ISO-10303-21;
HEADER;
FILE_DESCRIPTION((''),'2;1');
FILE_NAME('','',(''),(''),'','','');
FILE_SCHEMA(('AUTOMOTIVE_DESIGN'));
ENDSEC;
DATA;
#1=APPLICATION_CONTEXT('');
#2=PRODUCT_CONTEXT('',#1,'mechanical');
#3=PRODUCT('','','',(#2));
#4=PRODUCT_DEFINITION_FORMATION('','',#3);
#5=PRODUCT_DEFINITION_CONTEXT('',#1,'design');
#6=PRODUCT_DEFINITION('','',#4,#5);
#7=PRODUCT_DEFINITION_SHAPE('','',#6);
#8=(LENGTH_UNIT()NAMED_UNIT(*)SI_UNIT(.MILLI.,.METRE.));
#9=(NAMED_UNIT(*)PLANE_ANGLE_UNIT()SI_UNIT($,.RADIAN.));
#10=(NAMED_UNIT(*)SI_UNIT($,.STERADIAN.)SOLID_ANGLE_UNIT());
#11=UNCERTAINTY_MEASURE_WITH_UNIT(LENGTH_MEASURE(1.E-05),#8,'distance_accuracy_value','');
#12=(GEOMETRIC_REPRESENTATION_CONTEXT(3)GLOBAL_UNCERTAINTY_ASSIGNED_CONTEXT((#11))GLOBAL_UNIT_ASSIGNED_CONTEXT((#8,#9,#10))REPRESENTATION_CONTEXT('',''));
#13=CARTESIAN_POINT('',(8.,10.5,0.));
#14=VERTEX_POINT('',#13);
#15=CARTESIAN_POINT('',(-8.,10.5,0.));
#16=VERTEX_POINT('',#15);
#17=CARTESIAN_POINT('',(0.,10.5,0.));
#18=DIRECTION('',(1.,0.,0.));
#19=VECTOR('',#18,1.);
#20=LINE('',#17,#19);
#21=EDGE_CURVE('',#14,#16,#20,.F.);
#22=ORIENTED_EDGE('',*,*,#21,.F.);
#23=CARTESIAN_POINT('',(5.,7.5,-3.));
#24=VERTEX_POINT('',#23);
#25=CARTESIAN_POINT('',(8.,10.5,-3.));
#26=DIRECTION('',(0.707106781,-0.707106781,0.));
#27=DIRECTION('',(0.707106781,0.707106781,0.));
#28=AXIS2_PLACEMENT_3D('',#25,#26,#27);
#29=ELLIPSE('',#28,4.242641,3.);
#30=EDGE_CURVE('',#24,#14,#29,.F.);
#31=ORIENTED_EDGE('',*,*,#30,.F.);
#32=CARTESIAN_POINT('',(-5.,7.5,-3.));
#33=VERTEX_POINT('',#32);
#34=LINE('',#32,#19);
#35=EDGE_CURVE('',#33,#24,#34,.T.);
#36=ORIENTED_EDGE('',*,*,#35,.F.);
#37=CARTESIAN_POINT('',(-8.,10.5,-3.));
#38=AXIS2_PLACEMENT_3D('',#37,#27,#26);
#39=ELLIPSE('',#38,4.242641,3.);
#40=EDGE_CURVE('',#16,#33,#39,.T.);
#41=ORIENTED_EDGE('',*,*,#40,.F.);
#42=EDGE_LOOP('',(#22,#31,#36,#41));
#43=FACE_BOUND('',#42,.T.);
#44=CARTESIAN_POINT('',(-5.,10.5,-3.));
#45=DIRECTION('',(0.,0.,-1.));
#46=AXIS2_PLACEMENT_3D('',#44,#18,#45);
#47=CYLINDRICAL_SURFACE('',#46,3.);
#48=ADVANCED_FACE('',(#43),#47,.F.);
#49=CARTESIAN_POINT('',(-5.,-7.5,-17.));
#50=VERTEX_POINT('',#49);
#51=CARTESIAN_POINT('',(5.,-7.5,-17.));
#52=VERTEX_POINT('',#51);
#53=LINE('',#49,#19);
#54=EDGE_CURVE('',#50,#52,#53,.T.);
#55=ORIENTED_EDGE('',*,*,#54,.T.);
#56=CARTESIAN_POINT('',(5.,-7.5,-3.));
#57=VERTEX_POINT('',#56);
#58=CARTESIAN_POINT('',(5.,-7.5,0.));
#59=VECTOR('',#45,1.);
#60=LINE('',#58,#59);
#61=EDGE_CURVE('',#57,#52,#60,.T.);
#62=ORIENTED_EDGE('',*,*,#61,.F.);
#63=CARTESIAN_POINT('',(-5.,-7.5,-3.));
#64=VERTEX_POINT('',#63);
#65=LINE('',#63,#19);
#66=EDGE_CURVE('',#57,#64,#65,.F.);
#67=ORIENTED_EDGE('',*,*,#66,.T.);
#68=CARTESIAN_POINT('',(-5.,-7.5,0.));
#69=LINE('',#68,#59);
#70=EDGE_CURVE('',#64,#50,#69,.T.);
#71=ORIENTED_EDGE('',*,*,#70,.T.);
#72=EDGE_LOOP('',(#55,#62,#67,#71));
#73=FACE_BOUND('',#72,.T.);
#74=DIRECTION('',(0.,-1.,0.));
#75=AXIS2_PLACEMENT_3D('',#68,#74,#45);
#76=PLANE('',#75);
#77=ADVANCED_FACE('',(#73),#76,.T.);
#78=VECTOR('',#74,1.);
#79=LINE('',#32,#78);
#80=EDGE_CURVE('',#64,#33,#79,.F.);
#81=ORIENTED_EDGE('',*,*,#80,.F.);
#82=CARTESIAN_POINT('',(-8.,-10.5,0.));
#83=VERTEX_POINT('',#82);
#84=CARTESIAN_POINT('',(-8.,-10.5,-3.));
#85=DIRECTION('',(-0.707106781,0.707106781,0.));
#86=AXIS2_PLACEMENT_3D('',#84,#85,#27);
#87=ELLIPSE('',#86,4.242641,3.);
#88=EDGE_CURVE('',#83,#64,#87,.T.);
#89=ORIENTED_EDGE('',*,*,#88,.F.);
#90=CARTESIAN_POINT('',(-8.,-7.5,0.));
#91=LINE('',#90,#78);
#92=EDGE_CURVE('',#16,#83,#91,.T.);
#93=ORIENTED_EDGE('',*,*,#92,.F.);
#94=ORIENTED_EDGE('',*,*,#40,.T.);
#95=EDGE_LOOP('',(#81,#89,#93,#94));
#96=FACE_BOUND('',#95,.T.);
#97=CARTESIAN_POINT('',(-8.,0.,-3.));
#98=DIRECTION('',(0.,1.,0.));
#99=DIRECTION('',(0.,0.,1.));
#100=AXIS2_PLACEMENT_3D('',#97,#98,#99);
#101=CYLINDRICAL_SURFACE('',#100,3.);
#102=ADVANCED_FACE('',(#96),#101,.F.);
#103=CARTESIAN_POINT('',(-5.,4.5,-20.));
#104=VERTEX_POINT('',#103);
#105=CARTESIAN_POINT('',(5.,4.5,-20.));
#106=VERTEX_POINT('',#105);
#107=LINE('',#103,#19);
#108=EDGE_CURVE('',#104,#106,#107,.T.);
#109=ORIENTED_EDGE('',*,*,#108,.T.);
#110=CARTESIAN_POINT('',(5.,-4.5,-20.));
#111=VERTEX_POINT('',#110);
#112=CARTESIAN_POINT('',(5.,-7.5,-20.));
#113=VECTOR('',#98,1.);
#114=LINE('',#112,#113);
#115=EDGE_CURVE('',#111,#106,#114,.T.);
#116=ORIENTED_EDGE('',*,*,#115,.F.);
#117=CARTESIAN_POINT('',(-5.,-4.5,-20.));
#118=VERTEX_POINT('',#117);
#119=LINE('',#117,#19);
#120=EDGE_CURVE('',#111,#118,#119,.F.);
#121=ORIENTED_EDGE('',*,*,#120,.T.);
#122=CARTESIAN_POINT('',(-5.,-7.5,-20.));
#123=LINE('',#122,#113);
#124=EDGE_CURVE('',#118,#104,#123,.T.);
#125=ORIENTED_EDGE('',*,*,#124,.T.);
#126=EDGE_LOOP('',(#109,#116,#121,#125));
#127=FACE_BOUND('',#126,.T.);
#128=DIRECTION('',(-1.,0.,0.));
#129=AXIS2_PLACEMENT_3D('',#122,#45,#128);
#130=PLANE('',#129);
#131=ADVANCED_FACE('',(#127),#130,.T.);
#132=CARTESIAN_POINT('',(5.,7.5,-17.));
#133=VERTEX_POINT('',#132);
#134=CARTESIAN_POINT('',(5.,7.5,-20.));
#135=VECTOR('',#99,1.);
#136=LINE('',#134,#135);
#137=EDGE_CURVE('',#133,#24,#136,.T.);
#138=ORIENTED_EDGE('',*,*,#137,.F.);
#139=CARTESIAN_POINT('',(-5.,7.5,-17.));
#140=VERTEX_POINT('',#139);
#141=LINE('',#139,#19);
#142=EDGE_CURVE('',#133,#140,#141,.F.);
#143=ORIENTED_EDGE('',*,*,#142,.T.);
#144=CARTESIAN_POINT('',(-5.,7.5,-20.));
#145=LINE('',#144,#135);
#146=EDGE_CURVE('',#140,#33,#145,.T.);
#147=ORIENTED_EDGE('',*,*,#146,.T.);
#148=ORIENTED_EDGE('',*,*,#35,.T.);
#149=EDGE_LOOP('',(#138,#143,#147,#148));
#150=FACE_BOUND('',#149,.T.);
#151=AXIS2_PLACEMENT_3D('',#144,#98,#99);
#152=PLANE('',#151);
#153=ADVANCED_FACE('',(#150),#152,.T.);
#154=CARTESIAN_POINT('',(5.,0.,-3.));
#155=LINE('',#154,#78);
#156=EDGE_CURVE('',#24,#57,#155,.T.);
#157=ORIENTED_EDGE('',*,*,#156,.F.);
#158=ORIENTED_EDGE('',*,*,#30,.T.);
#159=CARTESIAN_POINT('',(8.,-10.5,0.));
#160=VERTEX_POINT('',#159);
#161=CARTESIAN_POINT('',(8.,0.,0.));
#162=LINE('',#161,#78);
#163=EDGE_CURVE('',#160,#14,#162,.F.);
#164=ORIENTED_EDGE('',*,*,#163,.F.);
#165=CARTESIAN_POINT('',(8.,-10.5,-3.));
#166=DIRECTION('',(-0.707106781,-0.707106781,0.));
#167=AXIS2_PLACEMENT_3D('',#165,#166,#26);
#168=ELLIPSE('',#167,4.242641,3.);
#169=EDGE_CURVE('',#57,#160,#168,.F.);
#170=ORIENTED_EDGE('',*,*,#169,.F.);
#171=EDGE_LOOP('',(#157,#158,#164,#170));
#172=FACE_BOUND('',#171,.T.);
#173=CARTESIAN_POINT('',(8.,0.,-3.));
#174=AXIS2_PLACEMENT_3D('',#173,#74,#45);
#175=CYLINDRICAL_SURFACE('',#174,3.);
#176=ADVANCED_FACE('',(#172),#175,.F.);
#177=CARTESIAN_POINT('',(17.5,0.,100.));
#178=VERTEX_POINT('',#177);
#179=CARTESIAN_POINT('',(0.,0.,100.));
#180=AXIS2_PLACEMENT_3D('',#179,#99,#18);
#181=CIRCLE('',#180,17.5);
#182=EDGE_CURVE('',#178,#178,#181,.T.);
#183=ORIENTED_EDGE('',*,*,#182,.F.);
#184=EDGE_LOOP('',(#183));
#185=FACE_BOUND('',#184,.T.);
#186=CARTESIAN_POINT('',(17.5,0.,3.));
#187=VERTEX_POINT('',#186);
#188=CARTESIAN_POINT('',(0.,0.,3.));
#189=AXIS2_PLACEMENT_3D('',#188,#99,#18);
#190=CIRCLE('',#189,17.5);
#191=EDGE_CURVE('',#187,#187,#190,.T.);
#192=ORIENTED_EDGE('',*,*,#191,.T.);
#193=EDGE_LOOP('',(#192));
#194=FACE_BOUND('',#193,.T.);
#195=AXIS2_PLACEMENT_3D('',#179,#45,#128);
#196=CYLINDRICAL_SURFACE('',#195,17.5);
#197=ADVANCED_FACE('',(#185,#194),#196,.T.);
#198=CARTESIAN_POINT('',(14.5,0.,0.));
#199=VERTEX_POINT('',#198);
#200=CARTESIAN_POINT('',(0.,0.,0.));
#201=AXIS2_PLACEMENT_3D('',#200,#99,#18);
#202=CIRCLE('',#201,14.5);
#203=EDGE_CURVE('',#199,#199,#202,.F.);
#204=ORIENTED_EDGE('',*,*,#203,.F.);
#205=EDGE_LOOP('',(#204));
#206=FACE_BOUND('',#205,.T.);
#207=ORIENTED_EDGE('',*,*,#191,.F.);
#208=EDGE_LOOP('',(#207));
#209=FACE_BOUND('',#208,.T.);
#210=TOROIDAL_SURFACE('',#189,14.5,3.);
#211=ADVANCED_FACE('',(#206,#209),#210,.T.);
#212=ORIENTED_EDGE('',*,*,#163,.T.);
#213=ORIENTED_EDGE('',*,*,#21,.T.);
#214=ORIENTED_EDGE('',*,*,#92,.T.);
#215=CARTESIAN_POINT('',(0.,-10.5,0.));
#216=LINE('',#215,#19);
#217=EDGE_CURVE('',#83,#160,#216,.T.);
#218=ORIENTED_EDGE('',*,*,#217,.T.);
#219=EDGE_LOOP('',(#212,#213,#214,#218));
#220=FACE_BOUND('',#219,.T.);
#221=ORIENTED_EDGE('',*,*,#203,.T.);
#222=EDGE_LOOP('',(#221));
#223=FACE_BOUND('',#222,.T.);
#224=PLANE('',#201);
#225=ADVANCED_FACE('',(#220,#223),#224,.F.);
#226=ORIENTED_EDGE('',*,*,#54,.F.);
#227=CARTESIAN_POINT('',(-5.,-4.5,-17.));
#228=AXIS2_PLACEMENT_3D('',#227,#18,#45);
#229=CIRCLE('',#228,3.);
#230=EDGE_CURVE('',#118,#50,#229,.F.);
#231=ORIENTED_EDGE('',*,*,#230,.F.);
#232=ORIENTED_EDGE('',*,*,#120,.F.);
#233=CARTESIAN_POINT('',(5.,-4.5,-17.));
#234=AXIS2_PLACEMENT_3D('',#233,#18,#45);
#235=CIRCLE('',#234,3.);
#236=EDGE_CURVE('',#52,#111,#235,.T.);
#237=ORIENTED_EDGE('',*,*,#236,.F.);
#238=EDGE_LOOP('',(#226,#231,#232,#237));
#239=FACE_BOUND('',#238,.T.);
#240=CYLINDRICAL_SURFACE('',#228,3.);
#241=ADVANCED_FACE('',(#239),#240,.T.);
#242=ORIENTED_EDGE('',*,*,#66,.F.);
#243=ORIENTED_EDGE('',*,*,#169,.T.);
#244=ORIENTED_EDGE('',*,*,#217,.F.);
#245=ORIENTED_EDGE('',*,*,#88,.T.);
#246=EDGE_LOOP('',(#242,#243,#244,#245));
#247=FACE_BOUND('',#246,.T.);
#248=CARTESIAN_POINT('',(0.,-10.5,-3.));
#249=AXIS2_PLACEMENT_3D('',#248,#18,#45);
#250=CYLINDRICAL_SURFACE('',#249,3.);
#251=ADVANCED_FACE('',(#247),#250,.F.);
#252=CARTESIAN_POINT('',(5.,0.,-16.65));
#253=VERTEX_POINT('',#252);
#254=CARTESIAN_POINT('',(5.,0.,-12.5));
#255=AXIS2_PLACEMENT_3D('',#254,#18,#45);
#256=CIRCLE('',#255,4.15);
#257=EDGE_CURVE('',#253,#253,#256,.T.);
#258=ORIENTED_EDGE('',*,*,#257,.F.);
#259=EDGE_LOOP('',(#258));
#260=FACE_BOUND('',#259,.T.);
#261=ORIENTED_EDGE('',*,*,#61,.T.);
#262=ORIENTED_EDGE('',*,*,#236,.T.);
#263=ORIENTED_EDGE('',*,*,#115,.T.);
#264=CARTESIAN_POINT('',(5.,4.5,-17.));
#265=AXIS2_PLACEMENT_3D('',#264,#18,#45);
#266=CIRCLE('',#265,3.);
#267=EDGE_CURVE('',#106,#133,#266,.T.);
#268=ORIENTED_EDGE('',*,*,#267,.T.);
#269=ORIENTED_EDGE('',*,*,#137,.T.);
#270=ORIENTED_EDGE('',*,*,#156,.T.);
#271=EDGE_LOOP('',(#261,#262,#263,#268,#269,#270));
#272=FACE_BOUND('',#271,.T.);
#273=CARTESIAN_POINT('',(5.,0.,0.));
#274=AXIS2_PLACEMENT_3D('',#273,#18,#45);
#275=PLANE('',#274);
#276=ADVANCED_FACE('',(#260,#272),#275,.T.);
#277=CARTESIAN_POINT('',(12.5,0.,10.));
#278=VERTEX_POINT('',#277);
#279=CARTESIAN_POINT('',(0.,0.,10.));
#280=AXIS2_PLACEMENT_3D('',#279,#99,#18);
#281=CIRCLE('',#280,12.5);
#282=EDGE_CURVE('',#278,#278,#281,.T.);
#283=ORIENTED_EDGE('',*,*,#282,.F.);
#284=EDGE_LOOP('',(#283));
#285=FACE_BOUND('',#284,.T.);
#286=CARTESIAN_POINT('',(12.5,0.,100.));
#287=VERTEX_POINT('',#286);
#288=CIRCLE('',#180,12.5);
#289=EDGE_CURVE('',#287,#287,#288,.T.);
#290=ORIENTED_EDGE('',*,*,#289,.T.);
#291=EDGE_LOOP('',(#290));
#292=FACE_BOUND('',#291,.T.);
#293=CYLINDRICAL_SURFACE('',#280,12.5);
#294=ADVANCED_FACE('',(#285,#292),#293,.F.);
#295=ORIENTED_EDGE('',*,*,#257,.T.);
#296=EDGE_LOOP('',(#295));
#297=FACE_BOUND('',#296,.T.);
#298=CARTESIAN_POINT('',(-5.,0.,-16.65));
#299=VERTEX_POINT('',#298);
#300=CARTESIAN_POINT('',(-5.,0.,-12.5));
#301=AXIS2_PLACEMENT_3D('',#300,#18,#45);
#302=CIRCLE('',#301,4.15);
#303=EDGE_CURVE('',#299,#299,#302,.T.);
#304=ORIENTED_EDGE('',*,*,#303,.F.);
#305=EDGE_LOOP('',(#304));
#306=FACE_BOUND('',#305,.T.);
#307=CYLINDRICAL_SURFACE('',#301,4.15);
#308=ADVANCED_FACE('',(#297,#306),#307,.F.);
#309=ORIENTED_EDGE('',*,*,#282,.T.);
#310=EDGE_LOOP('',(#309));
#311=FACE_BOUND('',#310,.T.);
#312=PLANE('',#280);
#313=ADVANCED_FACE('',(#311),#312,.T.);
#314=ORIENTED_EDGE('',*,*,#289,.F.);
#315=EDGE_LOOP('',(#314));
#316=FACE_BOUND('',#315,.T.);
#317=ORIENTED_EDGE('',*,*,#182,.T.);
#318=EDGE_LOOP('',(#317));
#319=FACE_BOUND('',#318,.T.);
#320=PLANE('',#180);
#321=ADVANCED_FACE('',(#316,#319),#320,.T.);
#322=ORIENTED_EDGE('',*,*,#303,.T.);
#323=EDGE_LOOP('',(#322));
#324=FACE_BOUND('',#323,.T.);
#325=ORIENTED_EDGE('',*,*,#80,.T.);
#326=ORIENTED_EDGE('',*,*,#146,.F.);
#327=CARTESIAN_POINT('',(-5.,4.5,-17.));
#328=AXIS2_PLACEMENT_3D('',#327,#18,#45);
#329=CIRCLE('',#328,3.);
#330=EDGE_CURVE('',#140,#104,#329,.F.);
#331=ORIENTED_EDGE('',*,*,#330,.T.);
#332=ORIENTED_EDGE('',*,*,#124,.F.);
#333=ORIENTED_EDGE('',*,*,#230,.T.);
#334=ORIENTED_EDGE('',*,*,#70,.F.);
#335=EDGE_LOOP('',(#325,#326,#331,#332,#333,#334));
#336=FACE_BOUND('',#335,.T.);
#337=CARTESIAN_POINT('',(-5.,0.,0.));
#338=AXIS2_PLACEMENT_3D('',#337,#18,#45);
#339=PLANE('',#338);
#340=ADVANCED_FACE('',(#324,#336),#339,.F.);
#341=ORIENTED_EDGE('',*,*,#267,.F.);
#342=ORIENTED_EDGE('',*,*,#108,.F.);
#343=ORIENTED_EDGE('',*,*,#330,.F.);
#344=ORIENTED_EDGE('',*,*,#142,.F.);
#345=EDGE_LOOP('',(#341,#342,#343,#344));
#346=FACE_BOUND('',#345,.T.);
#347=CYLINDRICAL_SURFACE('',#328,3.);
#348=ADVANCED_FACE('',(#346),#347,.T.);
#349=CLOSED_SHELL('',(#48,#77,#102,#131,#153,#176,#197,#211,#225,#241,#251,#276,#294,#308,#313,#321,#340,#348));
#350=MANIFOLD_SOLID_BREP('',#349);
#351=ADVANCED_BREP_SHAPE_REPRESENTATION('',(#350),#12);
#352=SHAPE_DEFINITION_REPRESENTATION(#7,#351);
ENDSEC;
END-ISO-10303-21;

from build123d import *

# Parameters (mm, degrees)
SKETCH1_R                = 17.5
BOSS_EXTRUDE1_DEPTH      = 100
SKETCH2_R                = 12.5
CUT_EXTRUDE1_DEPTH       = 90
BOSS_EXTRUDE2_DEPTH      = 5
BOSS_EXTRUDE2_DEPTH_BACK = 5
SKETCH3_W                = 20
SKETCH3_H                = 15
SKETCH3_R                = 4.15
FILLET1_R                = 3


with BuildPart() as part:
    # Sketch1 → Boss-Extrude1 (new body)
    with BuildSketch(Plane.XY):
        Circle(SKETCH1_R)
    extrude(amount=BOSS_EXTRUDE1_DEPTH)

    # Sketch2 → Cut-Extrude1 (cut)
    with BuildSketch(Plane.XY.offset(100)):
        Circle(SKETCH2_R)
    extrude(amount=-CUT_EXTRUDE1_DEPTH, mode=Mode.SUBTRACT)

    # Sketch3 → Boss-Extrude2 (add, two sides: drawn at the far end of the back side and taken through both)
    with BuildSketch(Plane(origin=(0, 0, 0), x_dir=(0, 0, -1), z_dir=(1, 0, 0)).offset(-BOSS_EXTRUDE2_DEPTH_BACK)):
        with Locations((10, 0)):
            Rectangle(SKETCH3_W, SKETCH3_H)
        with Locations((12.5, 0)):
            Circle(SKETCH3_R, mode=Mode.SUBTRACT)
    extrude(amount=BOSS_EXTRUDE2_DEPTH + BOSS_EXTRUDE2_DEPTH_BACK)

    # Fillet1
    fillet1_edges = [part.edges().sort_by_distance(p)[0] for p in [
        (0, -7.5, 0),
        (-17.5, 0, 0),
        (0, -7.5, -20),
        (-5, 0, 0),
        (0, 7.5, -20),
        (5, 0, 0),
        (0, 7.5, 0),
    ]]
    fillet(fillet1_edges, radius=FILLET1_R)


solid = part.part
